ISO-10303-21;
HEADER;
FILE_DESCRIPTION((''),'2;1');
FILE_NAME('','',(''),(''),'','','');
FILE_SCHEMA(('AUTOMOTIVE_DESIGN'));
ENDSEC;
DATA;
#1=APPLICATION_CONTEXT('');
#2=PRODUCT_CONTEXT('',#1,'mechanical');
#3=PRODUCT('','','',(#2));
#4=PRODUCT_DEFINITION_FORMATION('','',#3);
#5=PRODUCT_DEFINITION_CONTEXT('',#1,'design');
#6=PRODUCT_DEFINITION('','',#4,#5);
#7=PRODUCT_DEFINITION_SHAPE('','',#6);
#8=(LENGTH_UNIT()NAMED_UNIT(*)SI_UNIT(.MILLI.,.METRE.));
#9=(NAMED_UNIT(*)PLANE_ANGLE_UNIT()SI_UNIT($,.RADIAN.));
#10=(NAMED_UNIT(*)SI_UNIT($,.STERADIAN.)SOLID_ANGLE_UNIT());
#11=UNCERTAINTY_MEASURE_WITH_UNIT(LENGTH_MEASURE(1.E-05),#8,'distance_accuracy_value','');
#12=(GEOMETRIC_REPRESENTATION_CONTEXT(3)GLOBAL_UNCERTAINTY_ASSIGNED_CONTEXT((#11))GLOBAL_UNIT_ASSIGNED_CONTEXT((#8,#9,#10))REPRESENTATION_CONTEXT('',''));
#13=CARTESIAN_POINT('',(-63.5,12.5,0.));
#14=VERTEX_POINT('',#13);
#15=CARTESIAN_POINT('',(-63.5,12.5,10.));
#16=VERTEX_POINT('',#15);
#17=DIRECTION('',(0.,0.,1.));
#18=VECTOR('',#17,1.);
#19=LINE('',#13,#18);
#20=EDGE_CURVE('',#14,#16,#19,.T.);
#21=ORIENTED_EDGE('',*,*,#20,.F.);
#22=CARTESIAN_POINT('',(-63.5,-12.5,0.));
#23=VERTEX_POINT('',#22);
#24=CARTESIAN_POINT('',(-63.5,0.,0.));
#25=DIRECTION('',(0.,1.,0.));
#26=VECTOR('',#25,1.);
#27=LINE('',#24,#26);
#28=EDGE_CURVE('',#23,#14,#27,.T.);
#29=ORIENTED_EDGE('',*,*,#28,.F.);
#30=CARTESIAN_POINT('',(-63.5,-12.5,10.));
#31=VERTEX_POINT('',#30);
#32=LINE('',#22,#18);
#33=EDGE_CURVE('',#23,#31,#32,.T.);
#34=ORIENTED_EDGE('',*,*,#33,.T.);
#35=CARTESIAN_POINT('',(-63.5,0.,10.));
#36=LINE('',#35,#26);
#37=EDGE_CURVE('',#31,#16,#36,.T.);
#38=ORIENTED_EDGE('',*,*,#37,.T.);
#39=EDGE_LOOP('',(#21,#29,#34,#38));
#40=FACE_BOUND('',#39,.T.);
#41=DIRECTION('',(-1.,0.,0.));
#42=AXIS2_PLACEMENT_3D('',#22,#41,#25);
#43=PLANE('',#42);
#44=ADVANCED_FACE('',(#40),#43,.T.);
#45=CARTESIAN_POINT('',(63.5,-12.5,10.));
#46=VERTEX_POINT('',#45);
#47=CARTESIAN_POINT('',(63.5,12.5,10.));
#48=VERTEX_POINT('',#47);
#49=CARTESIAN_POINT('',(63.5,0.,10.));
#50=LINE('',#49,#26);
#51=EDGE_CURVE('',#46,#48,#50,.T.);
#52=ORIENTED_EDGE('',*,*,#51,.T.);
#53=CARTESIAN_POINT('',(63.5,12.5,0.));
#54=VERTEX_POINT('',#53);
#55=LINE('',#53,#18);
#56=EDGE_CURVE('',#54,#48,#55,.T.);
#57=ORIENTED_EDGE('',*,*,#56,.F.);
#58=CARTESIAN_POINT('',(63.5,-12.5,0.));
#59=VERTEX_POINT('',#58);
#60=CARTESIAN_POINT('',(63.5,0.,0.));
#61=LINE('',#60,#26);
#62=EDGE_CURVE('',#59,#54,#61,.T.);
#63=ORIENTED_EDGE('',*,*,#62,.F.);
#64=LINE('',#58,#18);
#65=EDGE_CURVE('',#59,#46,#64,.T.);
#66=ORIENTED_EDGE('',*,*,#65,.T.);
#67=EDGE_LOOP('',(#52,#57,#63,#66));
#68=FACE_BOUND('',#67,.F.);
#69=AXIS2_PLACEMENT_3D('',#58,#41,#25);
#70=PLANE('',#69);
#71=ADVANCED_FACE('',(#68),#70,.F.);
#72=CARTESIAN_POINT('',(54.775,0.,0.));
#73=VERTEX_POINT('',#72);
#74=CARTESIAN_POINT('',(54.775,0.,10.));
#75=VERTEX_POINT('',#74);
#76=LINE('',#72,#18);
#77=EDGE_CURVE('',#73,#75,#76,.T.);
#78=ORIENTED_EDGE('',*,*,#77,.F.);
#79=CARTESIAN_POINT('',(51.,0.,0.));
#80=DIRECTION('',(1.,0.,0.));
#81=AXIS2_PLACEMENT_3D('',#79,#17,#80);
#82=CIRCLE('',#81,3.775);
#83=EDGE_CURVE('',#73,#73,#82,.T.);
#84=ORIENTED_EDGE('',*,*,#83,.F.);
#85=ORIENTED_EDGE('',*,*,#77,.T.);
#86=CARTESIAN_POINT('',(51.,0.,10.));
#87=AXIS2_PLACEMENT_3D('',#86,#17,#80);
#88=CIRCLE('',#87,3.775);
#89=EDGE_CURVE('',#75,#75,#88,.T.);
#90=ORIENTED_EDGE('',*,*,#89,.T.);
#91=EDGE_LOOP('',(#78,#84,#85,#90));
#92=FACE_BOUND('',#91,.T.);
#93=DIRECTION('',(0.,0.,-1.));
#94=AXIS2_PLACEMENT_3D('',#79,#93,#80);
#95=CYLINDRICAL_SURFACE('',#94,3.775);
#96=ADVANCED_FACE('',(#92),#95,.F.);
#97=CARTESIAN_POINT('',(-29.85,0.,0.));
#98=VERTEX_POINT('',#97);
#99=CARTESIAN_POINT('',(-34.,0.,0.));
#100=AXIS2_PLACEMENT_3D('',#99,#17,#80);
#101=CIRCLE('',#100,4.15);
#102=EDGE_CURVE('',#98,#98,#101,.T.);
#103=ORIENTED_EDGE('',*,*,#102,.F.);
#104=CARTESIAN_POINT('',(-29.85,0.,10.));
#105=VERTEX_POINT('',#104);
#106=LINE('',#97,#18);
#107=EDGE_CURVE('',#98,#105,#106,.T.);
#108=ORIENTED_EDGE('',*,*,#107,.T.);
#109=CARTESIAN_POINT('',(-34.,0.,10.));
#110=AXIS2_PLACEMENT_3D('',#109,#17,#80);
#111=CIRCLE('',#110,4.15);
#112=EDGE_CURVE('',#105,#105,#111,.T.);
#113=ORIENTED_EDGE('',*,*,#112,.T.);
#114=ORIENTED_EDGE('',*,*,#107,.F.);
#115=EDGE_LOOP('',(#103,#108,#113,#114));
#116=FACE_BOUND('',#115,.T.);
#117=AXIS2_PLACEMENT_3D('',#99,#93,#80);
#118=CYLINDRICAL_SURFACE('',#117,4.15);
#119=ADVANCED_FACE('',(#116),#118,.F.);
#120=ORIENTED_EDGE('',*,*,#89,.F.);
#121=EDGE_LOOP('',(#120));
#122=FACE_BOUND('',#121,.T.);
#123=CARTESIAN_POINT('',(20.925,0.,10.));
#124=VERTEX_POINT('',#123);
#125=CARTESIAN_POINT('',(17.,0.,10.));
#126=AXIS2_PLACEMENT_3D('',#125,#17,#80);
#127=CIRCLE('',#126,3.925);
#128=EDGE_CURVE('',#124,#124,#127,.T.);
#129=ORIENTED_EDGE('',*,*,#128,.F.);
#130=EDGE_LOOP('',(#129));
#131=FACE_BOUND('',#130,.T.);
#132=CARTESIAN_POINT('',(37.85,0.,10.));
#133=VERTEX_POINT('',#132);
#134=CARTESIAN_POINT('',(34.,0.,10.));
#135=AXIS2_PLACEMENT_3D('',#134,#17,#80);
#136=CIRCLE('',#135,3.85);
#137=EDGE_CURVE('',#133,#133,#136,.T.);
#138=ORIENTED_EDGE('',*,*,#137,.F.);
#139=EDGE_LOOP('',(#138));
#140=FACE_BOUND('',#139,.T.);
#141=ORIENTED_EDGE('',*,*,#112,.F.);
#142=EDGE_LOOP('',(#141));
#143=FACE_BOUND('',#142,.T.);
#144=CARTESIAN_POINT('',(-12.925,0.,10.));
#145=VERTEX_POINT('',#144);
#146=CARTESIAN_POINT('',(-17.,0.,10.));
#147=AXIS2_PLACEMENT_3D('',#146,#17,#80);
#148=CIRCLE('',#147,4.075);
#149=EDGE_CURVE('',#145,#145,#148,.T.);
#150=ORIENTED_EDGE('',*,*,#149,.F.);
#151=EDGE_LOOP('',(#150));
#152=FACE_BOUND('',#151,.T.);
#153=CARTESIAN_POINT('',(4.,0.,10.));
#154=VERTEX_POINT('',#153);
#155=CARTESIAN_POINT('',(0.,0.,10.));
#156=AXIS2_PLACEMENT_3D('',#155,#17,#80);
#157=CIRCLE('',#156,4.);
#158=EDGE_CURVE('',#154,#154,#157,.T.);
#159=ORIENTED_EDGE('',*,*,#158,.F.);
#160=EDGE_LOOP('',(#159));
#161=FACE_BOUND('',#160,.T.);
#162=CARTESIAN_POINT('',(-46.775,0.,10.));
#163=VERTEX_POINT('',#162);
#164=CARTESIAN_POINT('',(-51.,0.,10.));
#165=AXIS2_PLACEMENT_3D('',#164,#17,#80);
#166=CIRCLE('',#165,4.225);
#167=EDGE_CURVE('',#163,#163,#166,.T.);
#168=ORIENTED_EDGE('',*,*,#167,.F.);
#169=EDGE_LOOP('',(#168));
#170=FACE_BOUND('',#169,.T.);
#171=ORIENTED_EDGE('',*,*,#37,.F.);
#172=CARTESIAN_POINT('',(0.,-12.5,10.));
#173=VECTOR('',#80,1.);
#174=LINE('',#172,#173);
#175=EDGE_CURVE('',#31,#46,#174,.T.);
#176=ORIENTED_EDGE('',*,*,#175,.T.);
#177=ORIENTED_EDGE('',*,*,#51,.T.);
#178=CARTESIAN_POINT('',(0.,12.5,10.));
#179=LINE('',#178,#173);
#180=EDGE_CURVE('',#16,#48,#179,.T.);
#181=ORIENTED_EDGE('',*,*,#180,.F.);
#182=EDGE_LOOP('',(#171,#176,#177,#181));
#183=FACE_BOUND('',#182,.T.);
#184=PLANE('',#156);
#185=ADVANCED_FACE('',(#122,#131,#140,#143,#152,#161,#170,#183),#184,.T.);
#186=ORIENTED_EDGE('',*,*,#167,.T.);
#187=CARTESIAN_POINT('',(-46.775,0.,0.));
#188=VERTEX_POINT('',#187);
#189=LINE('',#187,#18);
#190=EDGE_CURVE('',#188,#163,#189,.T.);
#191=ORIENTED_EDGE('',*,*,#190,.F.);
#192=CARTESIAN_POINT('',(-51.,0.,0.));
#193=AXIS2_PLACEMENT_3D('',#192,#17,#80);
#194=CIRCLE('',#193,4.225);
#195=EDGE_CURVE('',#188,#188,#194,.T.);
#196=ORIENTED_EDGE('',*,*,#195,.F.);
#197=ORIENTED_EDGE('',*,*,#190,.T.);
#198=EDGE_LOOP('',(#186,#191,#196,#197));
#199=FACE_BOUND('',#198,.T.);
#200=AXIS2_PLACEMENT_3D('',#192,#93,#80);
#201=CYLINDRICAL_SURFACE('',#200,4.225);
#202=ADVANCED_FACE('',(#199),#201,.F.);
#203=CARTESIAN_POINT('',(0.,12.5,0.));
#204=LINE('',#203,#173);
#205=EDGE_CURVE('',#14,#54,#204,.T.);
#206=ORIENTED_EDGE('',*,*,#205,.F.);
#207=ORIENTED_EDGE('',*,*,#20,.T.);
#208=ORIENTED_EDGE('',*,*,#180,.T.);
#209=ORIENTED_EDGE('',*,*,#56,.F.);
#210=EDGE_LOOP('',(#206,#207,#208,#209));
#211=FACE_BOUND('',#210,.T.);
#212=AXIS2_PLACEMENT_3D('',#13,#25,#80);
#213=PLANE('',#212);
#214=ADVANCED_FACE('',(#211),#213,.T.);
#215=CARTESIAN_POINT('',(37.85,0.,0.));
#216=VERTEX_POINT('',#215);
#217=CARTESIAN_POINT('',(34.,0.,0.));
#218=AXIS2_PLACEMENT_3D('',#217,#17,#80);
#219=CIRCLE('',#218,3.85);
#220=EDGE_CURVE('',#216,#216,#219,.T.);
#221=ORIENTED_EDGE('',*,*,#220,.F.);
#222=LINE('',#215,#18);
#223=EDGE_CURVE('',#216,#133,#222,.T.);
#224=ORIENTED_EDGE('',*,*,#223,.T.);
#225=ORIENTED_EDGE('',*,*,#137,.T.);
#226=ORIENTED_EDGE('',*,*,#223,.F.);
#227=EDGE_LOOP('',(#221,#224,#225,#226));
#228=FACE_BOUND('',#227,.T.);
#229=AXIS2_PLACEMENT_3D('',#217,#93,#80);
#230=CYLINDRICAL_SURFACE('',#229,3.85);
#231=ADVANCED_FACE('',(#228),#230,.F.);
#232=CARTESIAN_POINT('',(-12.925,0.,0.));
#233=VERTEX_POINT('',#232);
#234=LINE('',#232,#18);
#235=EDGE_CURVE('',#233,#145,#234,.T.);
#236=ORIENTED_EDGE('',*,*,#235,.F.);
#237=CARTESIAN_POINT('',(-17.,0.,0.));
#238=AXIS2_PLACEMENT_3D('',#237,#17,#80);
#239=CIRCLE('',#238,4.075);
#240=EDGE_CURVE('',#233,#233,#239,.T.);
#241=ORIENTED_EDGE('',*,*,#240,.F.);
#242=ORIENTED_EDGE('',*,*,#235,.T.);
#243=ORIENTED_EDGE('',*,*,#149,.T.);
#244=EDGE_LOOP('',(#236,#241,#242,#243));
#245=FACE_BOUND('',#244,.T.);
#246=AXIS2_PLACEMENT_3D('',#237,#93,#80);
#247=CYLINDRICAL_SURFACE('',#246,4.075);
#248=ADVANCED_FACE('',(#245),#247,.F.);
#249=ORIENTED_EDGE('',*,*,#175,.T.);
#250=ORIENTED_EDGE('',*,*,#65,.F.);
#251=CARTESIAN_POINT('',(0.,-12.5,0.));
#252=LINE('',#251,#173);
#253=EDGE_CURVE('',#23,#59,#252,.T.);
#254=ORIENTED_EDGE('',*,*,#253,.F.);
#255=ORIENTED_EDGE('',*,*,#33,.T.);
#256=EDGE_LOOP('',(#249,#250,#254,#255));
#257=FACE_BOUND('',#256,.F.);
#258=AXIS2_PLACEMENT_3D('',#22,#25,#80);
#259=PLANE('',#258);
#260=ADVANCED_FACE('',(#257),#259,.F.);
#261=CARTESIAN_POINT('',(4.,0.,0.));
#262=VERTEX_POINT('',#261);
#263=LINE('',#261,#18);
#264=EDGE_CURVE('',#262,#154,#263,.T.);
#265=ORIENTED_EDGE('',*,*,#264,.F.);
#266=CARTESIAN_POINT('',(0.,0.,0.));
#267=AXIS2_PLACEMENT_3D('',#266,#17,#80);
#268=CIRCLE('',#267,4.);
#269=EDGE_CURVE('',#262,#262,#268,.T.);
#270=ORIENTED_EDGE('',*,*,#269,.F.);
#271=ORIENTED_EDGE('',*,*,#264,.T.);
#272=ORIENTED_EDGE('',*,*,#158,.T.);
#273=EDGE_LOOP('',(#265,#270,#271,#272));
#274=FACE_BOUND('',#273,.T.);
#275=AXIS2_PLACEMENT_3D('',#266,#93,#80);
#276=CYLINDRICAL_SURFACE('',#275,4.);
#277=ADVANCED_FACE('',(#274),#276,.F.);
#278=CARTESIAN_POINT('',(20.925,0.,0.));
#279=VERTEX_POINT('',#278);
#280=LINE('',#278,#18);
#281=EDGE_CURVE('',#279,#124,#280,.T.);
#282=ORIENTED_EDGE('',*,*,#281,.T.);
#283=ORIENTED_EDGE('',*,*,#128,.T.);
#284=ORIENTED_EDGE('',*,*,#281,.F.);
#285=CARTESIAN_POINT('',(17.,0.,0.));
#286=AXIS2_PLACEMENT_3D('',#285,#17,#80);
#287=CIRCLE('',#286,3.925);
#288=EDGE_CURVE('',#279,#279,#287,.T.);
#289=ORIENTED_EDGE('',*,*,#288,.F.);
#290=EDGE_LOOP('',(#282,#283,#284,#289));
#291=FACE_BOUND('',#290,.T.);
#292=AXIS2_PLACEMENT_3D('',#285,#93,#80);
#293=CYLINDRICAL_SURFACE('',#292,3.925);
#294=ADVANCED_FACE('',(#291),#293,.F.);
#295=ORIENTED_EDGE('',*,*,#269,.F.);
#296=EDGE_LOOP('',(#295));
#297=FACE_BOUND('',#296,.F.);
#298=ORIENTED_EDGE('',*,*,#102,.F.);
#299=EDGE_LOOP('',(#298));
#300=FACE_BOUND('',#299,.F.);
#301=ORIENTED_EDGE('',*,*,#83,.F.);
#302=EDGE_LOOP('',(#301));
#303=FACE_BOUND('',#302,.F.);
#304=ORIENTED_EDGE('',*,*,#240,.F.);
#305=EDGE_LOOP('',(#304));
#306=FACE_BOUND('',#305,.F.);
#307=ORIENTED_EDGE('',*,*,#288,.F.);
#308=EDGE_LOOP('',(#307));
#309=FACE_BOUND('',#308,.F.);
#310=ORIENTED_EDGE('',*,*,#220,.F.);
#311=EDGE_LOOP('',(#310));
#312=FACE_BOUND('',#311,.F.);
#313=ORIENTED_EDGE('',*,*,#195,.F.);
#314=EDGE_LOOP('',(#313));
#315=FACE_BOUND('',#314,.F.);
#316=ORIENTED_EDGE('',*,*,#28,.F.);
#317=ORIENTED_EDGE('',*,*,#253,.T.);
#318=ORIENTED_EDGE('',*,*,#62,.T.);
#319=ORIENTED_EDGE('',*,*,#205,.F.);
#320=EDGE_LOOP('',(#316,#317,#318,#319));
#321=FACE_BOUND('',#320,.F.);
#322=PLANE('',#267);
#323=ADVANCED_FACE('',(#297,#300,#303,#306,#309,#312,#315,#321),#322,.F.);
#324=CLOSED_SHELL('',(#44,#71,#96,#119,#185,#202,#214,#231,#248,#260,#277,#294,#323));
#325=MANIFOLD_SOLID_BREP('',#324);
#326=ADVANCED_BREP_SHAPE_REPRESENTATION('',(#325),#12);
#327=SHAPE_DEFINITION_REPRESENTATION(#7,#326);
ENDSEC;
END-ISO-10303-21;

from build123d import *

# Parameters (mm, degrees)
F0_W     = 127
F0_H     = 25
F0_R     = 4.225
F0_R_2   = 4.15
F0_R_3   = 4.075
F0_R_4   = 4
F0_R_5   = 3.925
F0_R_6   = 3.85
F0_R_7   = 3.775
F1_DEPTH = 10


with BuildPart() as f1:
    # F0 (on Top) → F1 (new body)
    with BuildSketch(Plane.XY):
        Rectangle(F0_W, F0_H)
        with Locations((-51, 0)):
            Circle(F0_R, mode=Mode.SUBTRACT)
        with Locations((-34, 0)):
            Circle(F0_R_2, mode=Mode.SUBTRACT)
        with Locations((-17, 0)):
            Circle(F0_R_3, mode=Mode.SUBTRACT)
        Circle(F0_R_4, mode=Mode.SUBTRACT)
        with Locations((17, 0)):
            Circle(F0_R_5, mode=Mode.SUBTRACT)
        with Locations((34, 0)):
            Circle(F0_R_6, mode=Mode.SUBTRACT)
        with Locations((51, 0)):
            Circle(F0_R_7, mode=Mode.SUBTRACT)
    extrude(amount=F1_DEPTH)


solid = f1.part
